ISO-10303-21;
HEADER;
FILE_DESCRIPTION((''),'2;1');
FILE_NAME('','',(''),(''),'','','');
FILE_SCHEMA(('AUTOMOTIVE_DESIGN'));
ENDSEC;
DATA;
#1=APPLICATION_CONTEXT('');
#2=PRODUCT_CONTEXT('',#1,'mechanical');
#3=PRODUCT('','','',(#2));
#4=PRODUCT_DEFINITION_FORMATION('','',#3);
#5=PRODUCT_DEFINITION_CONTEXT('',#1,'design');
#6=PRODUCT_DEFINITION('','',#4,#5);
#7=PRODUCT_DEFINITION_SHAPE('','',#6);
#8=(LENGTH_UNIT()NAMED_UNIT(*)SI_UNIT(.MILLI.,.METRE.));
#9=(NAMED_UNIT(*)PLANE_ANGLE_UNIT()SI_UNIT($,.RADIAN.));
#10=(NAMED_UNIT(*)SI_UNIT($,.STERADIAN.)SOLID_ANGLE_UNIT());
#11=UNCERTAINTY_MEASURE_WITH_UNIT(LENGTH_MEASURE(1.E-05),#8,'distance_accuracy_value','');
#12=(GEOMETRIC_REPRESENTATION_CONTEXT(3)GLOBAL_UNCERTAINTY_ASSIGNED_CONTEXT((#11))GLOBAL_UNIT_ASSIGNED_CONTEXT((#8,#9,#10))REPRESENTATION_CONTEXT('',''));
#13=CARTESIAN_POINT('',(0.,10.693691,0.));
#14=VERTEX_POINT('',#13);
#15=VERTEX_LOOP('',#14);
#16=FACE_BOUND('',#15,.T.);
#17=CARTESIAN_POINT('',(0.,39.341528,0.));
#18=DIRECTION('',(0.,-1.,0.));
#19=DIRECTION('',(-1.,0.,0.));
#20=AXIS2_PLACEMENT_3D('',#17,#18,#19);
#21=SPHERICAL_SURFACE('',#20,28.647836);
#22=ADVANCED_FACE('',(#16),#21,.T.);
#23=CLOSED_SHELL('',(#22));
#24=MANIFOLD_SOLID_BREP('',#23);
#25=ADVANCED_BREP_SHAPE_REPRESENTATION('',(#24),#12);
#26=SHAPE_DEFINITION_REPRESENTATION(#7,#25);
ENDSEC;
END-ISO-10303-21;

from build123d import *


with BuildPart() as part:
    # Sketch1 → Revolve1 (revolve)
    with BuildSketch(Plane.XY):
        with BuildLine():
            Line((0, 67.989363921), (0, 10.693691345))
            ThreePointArc((0, 10.693691345), (28.647836288, 39.341527633), (0, 67.989363921))
        make_face()
    revolve(axis=Axis((0, 0, 0), (0, 1, 0)))


solid = part.part
